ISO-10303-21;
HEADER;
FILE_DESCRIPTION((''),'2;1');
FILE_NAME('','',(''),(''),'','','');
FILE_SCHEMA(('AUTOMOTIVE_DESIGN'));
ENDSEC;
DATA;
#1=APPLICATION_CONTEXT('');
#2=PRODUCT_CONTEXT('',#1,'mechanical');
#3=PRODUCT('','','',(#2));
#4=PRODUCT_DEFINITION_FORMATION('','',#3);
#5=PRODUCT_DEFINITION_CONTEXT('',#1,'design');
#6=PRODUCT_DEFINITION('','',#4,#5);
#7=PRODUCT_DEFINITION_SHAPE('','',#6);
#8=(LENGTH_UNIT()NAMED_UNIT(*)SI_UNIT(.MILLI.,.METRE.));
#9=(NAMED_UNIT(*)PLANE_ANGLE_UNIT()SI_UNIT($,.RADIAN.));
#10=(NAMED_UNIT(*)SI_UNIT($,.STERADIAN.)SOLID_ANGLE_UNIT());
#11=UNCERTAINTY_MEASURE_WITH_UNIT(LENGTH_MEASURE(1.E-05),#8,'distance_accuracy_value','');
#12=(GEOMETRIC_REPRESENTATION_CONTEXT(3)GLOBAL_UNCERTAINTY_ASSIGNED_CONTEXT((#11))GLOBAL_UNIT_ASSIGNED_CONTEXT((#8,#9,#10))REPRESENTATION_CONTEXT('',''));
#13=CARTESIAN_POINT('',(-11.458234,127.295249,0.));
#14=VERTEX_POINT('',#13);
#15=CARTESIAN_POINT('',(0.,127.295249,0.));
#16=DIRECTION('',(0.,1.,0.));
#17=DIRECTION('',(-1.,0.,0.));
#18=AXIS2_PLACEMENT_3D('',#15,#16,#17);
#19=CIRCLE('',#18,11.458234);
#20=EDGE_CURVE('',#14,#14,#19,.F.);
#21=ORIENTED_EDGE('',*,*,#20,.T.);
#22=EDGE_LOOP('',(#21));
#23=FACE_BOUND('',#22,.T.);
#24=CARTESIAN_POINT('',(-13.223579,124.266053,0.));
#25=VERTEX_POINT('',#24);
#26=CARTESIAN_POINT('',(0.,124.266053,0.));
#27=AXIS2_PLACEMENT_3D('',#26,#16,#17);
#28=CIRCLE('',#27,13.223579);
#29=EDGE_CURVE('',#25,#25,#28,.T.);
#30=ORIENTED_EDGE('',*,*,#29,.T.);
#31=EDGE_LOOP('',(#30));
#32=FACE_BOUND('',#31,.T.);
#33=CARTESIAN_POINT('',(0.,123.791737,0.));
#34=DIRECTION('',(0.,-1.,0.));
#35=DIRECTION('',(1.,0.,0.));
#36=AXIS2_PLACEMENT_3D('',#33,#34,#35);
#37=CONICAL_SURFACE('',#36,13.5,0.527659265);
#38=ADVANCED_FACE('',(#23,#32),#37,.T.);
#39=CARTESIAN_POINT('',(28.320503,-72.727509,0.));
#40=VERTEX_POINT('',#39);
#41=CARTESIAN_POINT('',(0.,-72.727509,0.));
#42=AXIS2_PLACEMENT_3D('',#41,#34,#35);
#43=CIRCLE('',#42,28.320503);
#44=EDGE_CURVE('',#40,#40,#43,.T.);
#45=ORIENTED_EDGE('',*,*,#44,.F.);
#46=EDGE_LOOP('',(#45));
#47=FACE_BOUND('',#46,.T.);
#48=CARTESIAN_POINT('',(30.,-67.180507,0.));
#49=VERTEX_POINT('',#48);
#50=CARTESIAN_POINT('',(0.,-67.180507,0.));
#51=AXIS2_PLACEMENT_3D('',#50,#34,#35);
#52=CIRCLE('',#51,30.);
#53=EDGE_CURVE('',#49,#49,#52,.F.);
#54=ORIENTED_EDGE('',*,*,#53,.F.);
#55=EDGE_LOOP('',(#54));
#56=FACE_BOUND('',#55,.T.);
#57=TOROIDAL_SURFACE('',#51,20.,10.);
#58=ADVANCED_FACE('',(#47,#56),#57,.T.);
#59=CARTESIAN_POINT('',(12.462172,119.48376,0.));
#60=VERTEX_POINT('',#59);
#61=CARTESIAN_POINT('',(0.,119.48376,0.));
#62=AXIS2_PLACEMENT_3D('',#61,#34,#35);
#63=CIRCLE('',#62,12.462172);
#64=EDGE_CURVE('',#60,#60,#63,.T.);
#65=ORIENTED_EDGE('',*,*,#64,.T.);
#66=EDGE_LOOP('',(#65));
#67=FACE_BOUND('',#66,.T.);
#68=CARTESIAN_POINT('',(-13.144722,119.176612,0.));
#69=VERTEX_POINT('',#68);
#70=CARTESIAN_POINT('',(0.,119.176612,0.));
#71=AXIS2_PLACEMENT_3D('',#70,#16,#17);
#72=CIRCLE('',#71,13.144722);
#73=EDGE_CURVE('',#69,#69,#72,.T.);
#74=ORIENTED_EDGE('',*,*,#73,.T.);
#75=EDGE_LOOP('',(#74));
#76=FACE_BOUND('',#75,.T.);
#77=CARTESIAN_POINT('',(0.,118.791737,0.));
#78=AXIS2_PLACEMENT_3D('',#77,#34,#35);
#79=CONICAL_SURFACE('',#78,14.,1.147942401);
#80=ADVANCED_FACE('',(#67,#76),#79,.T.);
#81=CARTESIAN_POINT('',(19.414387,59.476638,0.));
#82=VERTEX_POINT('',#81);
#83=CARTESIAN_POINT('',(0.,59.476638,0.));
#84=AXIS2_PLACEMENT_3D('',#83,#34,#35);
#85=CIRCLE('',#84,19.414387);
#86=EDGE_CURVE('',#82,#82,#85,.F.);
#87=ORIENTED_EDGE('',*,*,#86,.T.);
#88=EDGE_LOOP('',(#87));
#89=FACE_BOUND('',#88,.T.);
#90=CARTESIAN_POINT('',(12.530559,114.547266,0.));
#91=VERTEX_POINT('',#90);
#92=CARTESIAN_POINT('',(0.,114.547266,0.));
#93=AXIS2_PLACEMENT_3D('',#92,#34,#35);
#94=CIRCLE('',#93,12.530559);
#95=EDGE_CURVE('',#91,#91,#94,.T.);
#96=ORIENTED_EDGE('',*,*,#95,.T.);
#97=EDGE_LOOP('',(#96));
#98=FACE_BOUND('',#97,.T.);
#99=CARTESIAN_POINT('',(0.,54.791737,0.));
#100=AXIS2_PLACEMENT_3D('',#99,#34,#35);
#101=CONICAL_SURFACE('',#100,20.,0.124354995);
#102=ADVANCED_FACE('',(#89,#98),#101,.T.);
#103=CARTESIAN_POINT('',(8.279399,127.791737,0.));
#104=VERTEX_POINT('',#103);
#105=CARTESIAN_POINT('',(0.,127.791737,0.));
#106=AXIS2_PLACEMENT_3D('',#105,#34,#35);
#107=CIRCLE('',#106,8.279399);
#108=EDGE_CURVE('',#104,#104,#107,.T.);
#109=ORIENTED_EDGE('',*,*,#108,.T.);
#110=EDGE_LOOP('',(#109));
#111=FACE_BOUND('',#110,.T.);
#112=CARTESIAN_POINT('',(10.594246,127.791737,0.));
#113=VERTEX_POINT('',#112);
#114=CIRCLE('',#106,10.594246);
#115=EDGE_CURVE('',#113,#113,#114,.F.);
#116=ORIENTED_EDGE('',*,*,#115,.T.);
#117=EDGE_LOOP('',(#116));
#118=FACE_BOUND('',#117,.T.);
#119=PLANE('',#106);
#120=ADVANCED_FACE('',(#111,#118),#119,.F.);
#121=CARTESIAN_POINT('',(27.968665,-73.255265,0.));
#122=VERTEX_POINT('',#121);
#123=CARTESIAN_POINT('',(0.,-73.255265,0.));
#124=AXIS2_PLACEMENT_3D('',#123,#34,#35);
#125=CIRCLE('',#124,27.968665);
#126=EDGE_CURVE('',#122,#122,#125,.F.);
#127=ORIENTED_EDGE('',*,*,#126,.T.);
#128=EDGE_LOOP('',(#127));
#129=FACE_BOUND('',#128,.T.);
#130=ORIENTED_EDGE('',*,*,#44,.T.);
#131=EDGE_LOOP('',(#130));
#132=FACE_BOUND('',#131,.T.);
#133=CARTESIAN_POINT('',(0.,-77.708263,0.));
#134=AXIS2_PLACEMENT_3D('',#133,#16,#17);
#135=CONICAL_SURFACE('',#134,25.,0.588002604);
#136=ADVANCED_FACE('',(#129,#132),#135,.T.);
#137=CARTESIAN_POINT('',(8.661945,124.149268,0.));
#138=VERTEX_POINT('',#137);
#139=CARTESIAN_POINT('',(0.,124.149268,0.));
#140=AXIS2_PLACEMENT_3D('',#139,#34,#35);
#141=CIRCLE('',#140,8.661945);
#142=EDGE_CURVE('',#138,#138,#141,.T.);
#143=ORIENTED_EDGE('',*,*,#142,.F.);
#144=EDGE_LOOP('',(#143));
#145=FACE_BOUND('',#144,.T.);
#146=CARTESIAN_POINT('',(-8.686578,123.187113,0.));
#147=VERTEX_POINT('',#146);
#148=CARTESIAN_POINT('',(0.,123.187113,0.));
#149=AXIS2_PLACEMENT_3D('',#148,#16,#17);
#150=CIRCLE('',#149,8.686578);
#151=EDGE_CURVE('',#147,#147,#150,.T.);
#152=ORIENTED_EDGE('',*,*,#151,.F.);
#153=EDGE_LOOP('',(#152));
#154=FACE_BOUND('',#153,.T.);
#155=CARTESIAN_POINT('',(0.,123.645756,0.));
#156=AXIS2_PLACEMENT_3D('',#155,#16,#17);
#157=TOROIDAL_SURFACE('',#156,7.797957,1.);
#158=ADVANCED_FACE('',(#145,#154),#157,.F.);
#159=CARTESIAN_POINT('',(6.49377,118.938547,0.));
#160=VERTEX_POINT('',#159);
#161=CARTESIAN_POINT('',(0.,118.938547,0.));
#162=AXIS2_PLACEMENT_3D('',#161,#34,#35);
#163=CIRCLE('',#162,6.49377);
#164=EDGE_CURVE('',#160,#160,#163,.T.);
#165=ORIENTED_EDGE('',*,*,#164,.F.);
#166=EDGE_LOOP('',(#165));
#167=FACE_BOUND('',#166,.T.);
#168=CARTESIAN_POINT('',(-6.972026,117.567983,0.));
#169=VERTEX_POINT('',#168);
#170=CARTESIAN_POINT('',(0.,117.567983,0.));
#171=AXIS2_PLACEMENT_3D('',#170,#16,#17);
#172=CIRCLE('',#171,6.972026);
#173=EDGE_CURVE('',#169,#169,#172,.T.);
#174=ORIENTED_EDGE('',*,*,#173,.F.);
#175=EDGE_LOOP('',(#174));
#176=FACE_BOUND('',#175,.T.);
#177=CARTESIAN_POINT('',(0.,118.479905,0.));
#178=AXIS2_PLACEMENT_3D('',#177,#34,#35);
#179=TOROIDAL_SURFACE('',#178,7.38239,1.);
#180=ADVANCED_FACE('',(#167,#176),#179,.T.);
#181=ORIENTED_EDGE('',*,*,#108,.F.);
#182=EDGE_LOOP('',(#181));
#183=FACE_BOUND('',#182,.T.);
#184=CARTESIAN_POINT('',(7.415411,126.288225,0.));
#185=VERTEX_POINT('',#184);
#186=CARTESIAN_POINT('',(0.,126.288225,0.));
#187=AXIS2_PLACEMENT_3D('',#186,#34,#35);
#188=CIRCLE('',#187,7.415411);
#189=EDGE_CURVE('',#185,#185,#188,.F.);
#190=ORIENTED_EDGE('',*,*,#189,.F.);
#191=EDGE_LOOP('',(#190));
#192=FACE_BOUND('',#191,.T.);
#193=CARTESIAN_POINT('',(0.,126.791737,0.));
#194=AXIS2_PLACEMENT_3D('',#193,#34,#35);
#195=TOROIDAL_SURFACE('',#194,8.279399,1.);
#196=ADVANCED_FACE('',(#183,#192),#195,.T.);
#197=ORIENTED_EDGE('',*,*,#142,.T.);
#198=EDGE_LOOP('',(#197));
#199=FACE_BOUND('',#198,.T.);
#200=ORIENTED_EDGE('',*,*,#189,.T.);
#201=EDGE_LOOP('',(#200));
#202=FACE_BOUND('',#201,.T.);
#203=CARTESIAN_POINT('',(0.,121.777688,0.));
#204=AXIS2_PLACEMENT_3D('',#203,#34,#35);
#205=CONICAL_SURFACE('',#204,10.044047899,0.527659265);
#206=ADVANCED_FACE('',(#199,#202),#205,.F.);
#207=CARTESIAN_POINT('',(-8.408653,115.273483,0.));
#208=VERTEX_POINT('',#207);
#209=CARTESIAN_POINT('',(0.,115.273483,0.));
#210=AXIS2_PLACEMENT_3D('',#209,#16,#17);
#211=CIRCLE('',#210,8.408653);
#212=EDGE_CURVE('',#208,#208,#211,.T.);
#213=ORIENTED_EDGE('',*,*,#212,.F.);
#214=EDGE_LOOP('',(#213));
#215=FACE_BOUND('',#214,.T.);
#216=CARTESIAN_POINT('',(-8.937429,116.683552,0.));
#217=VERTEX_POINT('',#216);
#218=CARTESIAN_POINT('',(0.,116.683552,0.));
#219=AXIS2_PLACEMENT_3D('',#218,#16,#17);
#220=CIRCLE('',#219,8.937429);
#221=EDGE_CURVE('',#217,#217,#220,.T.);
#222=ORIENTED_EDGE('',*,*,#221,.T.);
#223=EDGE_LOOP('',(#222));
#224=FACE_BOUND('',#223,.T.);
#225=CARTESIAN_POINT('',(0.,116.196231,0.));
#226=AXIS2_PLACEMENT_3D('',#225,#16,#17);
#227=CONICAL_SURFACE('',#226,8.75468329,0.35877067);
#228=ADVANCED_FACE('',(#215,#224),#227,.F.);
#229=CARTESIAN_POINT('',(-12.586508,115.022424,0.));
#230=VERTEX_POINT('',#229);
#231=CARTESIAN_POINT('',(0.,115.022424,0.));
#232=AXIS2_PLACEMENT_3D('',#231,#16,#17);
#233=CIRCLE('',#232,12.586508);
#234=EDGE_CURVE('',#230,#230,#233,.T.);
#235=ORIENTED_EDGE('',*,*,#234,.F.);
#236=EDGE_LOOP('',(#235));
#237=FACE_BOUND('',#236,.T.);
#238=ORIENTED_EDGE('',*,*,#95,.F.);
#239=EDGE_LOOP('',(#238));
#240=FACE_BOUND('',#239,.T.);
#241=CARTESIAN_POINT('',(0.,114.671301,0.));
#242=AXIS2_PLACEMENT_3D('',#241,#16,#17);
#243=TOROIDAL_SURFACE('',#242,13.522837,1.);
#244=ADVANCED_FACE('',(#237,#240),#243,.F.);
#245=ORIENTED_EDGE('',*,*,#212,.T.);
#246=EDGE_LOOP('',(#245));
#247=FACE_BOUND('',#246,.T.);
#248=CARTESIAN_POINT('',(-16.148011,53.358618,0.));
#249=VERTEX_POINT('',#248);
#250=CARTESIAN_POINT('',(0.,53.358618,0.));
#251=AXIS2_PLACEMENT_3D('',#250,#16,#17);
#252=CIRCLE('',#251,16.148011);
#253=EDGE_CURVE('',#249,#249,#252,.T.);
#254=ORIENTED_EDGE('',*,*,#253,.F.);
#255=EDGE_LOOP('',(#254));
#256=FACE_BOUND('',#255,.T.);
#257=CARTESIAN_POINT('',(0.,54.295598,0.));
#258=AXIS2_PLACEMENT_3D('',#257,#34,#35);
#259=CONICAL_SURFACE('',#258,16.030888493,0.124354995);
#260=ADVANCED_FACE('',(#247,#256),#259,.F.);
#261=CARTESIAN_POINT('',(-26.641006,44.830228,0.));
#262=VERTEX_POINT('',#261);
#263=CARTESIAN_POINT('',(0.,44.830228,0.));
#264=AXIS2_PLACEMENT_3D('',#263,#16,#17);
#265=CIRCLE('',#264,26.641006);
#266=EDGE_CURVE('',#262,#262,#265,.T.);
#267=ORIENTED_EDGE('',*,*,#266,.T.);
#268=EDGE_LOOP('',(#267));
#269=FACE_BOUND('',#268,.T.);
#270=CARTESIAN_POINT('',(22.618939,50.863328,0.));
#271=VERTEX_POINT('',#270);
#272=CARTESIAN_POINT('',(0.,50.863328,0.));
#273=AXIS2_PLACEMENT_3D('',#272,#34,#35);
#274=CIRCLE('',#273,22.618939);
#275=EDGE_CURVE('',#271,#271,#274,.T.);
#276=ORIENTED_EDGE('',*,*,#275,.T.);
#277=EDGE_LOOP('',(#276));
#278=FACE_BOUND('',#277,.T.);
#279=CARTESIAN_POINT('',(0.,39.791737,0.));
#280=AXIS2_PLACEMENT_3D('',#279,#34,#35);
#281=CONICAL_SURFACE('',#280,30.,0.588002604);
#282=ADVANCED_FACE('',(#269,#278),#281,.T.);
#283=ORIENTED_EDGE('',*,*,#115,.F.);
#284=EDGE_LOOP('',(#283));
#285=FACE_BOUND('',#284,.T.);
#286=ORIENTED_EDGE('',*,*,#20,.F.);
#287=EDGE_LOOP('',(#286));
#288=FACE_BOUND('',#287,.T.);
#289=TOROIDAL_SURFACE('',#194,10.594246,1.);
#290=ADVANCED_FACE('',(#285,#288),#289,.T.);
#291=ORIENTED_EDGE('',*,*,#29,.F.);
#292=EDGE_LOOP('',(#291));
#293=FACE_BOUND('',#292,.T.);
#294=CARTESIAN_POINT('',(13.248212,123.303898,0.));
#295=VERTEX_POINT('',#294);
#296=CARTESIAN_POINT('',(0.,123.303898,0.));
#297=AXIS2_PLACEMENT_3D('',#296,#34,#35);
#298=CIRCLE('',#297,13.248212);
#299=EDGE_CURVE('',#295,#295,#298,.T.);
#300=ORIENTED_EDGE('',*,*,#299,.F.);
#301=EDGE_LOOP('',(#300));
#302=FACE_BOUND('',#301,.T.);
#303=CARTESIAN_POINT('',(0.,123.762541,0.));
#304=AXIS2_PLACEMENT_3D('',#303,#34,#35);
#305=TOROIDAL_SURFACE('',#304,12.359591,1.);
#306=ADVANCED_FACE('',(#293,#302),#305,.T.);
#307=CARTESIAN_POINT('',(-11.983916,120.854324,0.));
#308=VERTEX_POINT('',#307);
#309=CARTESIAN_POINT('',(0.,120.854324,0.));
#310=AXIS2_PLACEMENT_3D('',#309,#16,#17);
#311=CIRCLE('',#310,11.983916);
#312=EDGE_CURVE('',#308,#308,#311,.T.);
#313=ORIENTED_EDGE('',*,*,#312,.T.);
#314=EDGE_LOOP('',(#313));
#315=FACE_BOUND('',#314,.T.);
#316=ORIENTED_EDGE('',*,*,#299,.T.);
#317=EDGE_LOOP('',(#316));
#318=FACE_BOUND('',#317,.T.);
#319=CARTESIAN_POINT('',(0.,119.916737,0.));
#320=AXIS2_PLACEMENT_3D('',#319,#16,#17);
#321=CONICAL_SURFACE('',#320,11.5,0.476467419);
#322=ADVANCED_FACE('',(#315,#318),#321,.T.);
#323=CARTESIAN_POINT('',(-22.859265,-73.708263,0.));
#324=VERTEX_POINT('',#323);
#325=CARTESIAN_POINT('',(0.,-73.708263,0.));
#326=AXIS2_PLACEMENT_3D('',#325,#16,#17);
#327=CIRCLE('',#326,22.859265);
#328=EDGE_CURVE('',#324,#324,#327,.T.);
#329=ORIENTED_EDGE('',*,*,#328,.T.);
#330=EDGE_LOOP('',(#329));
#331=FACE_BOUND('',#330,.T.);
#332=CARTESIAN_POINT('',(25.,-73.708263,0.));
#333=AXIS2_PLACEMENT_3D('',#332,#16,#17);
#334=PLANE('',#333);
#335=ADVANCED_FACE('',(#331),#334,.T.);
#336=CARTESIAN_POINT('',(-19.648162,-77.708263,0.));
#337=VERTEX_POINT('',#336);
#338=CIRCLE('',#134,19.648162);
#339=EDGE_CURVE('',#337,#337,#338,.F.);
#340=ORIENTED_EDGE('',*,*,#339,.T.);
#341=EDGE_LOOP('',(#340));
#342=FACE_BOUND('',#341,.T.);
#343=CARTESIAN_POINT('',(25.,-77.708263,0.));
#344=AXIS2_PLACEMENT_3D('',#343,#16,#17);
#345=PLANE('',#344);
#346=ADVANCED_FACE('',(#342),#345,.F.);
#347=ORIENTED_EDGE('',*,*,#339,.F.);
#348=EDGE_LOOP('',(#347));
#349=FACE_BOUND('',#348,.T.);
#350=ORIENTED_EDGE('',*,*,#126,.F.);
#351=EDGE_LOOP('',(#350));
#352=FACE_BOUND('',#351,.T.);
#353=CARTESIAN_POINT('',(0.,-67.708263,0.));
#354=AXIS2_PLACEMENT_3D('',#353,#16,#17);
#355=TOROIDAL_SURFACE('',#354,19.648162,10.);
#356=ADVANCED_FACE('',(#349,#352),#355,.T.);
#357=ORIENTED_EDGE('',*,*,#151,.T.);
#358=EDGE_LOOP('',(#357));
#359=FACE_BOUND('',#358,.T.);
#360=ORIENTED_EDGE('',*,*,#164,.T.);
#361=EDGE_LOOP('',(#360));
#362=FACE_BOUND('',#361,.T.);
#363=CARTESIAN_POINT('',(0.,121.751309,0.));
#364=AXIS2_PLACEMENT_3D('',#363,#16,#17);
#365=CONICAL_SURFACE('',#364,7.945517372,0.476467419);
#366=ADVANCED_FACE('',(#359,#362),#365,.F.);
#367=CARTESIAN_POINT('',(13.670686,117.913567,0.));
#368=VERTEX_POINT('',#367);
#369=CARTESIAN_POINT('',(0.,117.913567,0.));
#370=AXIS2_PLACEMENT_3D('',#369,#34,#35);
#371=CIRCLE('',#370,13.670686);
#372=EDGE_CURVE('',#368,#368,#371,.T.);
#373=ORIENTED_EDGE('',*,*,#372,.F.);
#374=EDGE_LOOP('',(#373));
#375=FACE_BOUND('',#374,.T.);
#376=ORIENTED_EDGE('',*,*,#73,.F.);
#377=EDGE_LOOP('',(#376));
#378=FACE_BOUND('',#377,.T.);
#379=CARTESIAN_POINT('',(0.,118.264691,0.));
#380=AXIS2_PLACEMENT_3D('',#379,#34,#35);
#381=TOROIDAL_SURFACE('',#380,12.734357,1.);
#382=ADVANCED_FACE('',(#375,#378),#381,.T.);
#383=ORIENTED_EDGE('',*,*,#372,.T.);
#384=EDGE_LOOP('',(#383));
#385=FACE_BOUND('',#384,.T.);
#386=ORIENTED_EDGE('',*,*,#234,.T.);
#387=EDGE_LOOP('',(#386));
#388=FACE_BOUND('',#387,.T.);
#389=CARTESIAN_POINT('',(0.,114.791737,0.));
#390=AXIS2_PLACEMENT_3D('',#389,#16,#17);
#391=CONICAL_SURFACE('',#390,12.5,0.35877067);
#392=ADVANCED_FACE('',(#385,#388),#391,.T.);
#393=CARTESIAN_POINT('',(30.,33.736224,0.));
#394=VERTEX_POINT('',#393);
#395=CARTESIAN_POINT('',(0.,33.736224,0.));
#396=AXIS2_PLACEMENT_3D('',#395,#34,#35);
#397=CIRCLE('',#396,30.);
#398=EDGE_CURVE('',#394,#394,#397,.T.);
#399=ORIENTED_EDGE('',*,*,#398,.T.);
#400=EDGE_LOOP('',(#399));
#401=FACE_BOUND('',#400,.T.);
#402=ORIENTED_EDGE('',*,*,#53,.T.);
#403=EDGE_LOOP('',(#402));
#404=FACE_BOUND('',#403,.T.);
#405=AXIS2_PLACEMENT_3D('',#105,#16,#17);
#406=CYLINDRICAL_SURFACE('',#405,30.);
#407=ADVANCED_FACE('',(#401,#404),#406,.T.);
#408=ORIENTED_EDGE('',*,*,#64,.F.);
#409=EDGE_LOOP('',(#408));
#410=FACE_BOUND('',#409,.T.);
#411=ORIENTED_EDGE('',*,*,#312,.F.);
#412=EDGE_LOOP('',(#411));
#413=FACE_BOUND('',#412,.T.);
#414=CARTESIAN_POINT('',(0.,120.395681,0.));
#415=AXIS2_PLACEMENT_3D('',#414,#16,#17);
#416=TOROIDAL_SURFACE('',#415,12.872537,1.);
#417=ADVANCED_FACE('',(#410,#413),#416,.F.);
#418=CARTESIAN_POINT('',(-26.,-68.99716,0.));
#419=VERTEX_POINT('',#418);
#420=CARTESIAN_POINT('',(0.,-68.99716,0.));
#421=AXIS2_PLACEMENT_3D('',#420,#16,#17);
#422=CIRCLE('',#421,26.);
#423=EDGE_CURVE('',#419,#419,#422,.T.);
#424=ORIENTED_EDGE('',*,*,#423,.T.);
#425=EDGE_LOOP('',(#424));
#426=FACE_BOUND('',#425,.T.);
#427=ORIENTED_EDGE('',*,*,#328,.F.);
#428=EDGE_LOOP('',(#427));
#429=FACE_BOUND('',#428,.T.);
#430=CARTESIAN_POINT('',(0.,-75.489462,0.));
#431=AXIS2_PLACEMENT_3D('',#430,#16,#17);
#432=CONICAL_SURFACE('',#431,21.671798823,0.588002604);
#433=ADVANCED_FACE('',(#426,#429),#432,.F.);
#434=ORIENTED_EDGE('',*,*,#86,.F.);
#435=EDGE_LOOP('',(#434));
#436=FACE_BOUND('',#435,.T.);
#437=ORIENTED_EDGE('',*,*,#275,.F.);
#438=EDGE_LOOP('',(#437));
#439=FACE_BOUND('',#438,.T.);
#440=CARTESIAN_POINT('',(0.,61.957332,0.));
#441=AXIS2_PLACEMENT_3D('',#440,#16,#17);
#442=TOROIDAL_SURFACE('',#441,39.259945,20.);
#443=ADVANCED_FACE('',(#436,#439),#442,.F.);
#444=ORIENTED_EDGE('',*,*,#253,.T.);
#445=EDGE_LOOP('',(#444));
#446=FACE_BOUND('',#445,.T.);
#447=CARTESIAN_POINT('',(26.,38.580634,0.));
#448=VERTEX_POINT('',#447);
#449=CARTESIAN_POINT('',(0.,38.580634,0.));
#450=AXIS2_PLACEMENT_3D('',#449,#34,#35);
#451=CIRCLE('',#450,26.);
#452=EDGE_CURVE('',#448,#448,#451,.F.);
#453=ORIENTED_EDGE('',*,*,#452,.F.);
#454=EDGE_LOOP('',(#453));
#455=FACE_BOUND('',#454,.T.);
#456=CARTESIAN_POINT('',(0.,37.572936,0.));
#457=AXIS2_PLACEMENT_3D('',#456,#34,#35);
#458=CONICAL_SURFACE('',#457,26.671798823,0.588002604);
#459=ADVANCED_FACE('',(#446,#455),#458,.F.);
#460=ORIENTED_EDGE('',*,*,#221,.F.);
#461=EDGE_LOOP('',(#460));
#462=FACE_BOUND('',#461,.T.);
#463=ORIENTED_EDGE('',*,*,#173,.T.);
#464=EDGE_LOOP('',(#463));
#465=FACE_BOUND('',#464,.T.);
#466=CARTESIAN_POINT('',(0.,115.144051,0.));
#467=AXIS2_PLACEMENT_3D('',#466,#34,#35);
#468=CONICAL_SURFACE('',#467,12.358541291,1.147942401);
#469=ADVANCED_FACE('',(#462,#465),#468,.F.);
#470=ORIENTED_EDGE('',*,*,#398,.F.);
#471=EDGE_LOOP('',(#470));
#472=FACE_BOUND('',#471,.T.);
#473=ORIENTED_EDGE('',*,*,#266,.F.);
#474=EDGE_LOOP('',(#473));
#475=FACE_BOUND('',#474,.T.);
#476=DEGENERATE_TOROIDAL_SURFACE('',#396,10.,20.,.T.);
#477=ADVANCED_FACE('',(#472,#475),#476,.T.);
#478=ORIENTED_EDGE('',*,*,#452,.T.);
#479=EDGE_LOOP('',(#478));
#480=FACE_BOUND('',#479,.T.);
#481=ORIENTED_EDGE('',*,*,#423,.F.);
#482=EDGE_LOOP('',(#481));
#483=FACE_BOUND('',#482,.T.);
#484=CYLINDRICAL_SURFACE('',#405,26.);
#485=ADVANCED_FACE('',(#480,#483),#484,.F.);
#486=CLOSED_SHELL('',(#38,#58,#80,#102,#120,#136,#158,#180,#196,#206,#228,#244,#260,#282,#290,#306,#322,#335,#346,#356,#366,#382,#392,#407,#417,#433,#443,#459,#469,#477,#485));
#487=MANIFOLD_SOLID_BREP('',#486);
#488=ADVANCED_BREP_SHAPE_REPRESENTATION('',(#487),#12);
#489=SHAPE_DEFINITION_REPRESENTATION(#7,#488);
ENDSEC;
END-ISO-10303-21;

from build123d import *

# Parameters (mm, degrees)
SHELL1_T  = -4
FILLET1_R = 20
FILLET2_R = 10
FILLET3_R = 1
FILLET4_R = 1


with BuildPart() as part:
    # Sketch3 → Revolve1 (revolve)
    with BuildSketch(Plane.XY, mode=Mode.PRIVATE) as revolve1_sk:
        Polygon((11.168891971, 127.791737032), (13.5, 123.791737032), (11.5, 119.916737032), (14, 118.791737032), (12.5, 114.791737032), (20, 54.791737032), (30, 39.791737032), (30, -70.208262968), (25, -77.708262968), (0, -77.708262968), (0, 127.791737032), align=None)
    revolve(revolve1_sk.sketch.rotate(Axis((0, 127.791737032, 0), (0, -1, 0)), 180), axis=Axis((0, 127.791737032, 0), (0, -1, 0)))

    # Shell1
    shell1_openings = [part.faces().sort_by_distance(p)[0] for p in [
        (0, 127.791737032, 0),
    ]]
    offset(amount=SHELL1_T, openings=shell1_openings, kind=Kind.INTERSECTION)

    # Fillet1
    fillet1_edges = [part.edges().sort_by_distance(p)[0] for p in [
        (30, 39.791737032, 0),
        (20, 54.791737032, 0),
    ]]
    fillet(fillet1_edges, radius=FILLET1_R)

    # Fillet2
    fillet2_edges = [part.edges().sort_by_distance(p)[0] for p in [
        (25, -77.708262968, 0),
        (30, -70.208262968, 0),
    ]]
    fillet(fillet2_edges, radius=FILLET2_R)

    # Fillet3
    fillet3_edges = [part.edges().sort_by_distance(p)[0] for p in [
        (12.5, 114.791737032, 0),
        (14, 118.791737032, 0),
        (11.5, 119.916737032, 0),
        (13.5, 123.791737032, 0),
        (11.168891971, 127.791737032, 0),
    ]]
    fillet(fillet3_edges, radius=FILLET3_R)

    # Fillet4
    fillet4_edges = [part.edges().sort_by_distance(p)[0] for p in [
        (6.539198176, 127.791737032, 0),
        (8.938365669, 123.674952287, 0),
        (6.009853734, 118.000960412, 0),
    ]]
    fillet(fillet4_edges, radius=FILLET4_R)


solid = part.part
